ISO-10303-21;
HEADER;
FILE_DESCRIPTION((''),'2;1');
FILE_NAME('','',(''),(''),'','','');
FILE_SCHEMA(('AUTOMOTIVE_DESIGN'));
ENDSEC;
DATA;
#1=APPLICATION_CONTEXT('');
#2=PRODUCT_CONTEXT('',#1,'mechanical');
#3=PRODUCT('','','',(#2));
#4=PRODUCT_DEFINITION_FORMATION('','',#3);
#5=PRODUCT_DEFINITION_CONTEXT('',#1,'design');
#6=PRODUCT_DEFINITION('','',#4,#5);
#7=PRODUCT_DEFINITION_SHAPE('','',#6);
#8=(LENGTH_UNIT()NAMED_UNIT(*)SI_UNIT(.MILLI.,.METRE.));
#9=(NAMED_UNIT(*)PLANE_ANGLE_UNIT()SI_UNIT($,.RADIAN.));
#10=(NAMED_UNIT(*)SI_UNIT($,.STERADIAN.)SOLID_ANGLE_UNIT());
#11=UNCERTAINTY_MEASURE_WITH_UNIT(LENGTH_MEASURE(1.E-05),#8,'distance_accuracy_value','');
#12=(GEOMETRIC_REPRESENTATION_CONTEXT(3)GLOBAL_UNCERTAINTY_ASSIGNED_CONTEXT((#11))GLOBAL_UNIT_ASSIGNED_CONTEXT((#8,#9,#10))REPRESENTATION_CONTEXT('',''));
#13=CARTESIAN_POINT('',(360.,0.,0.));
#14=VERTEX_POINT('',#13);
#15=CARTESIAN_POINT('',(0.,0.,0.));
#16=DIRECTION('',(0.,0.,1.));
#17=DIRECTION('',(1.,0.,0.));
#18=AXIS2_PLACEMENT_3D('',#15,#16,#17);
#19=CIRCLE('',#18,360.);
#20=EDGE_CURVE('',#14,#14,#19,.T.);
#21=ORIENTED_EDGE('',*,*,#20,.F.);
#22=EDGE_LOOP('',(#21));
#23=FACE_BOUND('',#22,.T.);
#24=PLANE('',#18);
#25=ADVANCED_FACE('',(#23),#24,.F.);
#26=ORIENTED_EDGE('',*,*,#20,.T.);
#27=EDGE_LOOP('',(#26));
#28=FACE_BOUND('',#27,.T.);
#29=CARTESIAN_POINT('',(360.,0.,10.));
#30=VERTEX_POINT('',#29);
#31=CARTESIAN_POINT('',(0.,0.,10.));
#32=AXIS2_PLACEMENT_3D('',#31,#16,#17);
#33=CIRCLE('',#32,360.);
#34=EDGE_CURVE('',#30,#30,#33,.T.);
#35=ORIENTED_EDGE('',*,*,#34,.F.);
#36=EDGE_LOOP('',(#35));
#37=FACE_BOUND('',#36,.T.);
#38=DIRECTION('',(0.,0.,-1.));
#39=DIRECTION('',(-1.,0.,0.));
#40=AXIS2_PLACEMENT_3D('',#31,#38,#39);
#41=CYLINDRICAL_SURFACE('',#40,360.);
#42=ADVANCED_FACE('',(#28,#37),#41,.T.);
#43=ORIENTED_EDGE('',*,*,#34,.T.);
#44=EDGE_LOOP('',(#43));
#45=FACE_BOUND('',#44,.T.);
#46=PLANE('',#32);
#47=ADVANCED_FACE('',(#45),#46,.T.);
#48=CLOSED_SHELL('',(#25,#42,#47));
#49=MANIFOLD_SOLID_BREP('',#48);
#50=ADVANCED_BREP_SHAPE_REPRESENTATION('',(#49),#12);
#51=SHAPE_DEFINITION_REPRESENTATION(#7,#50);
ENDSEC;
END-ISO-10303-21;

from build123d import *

# Parameters (mm, degrees)
SKETCH_1_R      = 360
EXTRUDE_1_DEPTH = 10


with BuildPart() as part:
    # Эскиз1 → Бобышка-Вытянуть1 (new body)
    with BuildSketch(Plane.XY):
        Circle(SKETCH_1_R)
    extrude(amount=EXTRUDE_1_DEPTH)


solid = part.part
